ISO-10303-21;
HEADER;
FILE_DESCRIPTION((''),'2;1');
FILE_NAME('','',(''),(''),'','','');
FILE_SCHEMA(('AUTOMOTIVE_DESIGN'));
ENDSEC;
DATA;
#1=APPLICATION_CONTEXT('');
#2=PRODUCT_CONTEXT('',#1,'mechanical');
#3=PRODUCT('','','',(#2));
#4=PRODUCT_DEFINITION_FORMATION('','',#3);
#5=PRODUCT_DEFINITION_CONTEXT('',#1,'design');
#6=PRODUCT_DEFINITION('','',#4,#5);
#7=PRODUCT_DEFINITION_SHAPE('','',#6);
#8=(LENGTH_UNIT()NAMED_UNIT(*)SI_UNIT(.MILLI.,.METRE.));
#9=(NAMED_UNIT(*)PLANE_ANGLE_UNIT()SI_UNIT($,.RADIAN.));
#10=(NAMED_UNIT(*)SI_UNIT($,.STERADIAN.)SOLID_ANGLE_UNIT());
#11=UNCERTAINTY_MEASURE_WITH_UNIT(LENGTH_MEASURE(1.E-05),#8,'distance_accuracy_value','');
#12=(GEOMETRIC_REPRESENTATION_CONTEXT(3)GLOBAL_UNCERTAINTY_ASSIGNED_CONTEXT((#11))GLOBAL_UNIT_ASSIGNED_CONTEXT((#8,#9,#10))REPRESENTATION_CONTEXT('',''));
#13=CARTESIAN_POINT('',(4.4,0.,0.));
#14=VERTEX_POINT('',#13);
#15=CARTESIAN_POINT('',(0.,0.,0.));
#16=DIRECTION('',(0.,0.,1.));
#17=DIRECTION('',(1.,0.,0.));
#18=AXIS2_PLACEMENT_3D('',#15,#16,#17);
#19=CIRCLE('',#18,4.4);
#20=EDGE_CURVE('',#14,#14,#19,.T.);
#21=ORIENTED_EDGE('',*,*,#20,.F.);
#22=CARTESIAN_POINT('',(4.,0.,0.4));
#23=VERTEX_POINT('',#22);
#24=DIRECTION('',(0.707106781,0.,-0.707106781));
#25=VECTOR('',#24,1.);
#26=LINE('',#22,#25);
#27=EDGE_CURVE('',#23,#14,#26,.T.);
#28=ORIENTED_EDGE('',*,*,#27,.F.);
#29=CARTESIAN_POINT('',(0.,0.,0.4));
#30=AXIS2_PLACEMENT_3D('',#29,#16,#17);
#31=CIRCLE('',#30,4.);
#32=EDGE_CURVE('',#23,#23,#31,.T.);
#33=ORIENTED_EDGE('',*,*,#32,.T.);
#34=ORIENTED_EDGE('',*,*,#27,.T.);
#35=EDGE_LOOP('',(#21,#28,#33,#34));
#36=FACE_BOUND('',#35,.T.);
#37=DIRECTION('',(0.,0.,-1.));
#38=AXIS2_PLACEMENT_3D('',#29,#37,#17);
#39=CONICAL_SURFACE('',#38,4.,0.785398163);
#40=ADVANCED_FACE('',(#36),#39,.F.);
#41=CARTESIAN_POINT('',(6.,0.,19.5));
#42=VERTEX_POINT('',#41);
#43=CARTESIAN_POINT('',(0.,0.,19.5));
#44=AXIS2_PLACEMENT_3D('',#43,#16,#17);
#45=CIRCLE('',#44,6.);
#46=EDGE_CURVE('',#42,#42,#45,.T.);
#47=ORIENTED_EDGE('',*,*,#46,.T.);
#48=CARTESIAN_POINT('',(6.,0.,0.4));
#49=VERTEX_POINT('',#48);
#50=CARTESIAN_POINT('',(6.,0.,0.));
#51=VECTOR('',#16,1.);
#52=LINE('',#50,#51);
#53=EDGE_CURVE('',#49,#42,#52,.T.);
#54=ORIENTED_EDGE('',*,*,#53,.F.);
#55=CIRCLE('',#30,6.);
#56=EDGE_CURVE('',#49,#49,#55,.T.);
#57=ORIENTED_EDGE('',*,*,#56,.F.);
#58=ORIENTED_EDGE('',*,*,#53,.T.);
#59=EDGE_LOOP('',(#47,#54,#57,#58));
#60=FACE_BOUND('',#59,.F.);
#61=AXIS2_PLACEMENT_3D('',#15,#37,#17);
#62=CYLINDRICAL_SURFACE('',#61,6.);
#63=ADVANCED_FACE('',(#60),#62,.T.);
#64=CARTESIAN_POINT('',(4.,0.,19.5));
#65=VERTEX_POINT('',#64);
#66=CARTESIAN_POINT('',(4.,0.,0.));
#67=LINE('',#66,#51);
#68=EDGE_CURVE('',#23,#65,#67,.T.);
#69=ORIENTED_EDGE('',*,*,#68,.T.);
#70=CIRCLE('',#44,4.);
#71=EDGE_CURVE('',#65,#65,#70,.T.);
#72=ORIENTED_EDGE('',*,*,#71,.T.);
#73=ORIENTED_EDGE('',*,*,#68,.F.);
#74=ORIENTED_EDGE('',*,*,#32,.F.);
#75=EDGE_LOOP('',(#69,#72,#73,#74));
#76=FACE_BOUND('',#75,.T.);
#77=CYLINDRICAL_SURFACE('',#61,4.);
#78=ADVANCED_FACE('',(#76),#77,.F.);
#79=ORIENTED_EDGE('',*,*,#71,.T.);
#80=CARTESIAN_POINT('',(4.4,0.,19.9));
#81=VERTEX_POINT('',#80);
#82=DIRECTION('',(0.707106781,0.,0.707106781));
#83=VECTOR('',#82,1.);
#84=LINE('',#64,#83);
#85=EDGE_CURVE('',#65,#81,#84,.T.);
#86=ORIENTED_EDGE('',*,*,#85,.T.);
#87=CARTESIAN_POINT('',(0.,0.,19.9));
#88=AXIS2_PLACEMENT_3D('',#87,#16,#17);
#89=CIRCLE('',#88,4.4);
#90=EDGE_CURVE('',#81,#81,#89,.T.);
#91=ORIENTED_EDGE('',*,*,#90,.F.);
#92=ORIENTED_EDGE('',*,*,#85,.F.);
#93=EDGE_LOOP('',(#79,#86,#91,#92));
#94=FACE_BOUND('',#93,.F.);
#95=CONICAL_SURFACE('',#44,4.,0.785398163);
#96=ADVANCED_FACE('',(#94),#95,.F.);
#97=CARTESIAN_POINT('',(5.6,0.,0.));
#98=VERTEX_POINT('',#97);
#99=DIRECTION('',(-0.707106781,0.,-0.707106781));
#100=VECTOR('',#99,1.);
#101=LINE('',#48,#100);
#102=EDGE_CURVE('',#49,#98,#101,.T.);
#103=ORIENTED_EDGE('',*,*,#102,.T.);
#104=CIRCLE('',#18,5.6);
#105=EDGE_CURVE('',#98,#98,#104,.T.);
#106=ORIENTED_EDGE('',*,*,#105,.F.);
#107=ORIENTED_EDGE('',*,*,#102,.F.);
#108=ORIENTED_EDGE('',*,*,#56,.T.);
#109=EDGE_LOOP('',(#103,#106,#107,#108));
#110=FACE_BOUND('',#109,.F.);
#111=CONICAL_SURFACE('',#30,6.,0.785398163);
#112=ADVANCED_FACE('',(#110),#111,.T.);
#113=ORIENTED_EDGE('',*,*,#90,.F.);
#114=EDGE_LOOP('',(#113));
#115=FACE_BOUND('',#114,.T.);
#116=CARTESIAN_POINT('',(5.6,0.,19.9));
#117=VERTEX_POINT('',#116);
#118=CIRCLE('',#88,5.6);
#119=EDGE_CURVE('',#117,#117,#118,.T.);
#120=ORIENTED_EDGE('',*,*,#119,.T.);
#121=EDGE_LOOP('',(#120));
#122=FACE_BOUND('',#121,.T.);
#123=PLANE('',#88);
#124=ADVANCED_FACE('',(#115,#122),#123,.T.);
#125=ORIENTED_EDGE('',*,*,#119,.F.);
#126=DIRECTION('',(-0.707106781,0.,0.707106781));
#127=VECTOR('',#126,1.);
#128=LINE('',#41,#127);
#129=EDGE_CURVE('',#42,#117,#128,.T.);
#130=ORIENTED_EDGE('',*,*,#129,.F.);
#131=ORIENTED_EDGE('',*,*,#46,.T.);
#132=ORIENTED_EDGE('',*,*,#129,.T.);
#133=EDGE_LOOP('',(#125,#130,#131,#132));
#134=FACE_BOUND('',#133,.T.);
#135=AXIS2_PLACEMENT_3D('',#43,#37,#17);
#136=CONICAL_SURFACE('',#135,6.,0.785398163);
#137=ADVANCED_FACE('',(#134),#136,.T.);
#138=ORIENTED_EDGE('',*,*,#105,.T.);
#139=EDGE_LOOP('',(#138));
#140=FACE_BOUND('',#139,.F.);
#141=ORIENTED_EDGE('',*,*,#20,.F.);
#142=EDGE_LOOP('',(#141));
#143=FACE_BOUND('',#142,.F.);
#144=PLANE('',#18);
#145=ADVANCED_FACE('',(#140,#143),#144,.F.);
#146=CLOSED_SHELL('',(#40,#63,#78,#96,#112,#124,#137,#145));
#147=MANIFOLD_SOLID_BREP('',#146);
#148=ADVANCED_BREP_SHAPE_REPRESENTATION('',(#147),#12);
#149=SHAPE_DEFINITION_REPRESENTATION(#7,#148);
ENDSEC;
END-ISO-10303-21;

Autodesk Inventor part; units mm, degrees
ref_plane "YZ Plane" through (0, 0, 0) normal (1, 0, 0) x (0, 1, 0)
ref_plane "XZ Plane" through (0, 0, 0) normal (0, 1, 0) x (-1, 0, 0)
ref_plane "XY Plane" through (0, 0, 0) normal (0, 0, 1) x (1, 0, 0)
sketch "Sketch1" plane through (0, 0, 0) normal (0, 0, 1) x (1, 0, 0)
  circle A0 centre (0, 0) radius 4
  circle A1 centre (0, 0) radius 6
  dimension "d0" = 8
  dimension "d1" = 12
extrude "Extrusion1" add sketch "Sketch1" along normal blind 19.9
chamfer "Chamfer1" distance 0.4 angle 45 4 edges at (-6, 0, 19.9) (-4, 0, 19.9) (-6, 0, 0) (-4, 0, 0)
properties part number "bearing_spacer_2"
